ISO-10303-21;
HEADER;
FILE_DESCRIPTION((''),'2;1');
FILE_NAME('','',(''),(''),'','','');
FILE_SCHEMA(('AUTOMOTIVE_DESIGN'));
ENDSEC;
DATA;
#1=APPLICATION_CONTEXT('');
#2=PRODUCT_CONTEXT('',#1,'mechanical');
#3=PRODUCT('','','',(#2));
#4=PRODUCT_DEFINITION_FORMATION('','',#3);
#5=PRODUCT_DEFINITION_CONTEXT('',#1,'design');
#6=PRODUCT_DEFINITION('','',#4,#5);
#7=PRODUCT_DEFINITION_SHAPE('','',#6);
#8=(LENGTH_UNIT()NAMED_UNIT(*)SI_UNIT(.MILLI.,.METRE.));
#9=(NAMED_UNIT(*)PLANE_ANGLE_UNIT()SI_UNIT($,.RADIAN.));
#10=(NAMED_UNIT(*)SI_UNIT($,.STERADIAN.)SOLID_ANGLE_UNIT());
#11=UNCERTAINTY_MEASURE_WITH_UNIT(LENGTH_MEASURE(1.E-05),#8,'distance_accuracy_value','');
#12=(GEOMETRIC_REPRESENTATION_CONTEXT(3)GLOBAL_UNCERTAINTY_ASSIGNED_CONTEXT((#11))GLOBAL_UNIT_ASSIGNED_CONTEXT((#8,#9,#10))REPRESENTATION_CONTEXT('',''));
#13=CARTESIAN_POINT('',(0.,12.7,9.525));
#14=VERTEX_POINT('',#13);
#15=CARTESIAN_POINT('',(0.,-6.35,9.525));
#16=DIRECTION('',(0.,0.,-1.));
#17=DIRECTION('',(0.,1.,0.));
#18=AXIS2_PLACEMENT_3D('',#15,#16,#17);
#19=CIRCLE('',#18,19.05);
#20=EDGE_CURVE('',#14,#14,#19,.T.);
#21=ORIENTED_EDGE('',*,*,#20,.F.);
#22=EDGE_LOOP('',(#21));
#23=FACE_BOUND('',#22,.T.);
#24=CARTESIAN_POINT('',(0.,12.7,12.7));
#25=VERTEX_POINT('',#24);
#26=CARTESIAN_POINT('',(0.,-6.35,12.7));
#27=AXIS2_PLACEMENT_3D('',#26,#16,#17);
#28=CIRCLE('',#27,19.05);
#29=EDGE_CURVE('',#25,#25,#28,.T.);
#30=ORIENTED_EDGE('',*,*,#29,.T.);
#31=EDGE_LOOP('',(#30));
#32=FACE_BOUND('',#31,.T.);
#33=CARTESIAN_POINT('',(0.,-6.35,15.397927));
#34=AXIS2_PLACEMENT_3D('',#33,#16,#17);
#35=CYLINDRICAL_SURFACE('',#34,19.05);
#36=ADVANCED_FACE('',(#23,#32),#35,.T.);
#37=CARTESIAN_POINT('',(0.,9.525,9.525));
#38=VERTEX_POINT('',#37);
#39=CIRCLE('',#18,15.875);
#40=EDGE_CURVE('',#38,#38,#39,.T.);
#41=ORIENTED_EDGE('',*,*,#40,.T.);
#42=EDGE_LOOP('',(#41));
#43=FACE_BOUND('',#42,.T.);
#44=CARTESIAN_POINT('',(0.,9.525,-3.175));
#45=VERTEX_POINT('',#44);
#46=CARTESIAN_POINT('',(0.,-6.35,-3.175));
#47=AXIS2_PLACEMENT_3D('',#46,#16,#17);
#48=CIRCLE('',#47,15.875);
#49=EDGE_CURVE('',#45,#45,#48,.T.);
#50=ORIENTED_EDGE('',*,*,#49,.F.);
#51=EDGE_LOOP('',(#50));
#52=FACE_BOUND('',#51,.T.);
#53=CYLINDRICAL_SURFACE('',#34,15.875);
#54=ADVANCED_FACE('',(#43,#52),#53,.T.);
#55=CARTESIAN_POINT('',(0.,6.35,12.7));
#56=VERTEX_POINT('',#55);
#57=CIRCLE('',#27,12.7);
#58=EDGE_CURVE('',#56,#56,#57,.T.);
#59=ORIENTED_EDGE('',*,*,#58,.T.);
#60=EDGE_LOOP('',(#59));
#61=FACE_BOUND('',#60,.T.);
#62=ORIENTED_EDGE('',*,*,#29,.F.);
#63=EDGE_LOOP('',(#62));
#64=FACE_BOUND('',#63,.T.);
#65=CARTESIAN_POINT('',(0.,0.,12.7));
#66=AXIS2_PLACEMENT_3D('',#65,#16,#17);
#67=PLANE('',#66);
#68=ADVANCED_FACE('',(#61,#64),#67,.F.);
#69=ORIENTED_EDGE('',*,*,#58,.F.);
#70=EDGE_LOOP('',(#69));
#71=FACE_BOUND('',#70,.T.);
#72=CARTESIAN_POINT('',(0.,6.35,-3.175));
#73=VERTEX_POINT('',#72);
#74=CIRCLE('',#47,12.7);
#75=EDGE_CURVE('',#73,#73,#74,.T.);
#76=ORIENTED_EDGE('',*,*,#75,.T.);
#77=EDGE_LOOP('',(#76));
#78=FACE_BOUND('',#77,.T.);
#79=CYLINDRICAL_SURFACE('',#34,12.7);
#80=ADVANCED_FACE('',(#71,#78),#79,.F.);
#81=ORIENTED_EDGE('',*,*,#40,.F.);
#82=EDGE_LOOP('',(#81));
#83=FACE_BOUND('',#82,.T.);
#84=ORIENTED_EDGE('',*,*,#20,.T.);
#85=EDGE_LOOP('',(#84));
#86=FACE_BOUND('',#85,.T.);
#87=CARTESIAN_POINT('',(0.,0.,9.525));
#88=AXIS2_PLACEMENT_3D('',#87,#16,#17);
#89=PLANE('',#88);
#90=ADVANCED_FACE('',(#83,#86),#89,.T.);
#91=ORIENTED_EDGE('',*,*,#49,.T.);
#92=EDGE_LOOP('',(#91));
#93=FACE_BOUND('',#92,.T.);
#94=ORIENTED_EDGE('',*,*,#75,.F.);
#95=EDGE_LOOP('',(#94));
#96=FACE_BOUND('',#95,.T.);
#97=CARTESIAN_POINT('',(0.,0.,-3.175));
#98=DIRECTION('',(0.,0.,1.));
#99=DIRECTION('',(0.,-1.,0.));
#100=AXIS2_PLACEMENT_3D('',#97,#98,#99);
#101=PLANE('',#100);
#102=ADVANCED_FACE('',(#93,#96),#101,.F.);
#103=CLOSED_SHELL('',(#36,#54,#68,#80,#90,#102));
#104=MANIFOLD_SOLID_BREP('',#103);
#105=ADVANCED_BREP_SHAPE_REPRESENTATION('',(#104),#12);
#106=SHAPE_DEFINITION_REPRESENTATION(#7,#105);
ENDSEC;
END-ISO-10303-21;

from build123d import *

# Parameters (mm, degrees)
SKETCH1_W = 12.7
SKETCH1_H = 3.175


with BuildPart() as part:
    # Sketch1 → Revolve1 (revolve)
    with BuildSketch(Plane(origin=(0, 0, 0), x_dir=(0, 0, -1), z_dir=(1, 0, 0))):
        Polygon((-12.7, 12.7), (-12.7, 6.35), (-9.525, 6.35), (-9.525, 9.525), (-9.525, 12.7), align=None)
        with Locations((-3.175, 7.9375)):
            Rectangle(SKETCH1_W, SKETCH1_H)
    revolve(axis=Axis((0, -6.35, 15.397927461), (0, 0, 1)))


solid = part.part
